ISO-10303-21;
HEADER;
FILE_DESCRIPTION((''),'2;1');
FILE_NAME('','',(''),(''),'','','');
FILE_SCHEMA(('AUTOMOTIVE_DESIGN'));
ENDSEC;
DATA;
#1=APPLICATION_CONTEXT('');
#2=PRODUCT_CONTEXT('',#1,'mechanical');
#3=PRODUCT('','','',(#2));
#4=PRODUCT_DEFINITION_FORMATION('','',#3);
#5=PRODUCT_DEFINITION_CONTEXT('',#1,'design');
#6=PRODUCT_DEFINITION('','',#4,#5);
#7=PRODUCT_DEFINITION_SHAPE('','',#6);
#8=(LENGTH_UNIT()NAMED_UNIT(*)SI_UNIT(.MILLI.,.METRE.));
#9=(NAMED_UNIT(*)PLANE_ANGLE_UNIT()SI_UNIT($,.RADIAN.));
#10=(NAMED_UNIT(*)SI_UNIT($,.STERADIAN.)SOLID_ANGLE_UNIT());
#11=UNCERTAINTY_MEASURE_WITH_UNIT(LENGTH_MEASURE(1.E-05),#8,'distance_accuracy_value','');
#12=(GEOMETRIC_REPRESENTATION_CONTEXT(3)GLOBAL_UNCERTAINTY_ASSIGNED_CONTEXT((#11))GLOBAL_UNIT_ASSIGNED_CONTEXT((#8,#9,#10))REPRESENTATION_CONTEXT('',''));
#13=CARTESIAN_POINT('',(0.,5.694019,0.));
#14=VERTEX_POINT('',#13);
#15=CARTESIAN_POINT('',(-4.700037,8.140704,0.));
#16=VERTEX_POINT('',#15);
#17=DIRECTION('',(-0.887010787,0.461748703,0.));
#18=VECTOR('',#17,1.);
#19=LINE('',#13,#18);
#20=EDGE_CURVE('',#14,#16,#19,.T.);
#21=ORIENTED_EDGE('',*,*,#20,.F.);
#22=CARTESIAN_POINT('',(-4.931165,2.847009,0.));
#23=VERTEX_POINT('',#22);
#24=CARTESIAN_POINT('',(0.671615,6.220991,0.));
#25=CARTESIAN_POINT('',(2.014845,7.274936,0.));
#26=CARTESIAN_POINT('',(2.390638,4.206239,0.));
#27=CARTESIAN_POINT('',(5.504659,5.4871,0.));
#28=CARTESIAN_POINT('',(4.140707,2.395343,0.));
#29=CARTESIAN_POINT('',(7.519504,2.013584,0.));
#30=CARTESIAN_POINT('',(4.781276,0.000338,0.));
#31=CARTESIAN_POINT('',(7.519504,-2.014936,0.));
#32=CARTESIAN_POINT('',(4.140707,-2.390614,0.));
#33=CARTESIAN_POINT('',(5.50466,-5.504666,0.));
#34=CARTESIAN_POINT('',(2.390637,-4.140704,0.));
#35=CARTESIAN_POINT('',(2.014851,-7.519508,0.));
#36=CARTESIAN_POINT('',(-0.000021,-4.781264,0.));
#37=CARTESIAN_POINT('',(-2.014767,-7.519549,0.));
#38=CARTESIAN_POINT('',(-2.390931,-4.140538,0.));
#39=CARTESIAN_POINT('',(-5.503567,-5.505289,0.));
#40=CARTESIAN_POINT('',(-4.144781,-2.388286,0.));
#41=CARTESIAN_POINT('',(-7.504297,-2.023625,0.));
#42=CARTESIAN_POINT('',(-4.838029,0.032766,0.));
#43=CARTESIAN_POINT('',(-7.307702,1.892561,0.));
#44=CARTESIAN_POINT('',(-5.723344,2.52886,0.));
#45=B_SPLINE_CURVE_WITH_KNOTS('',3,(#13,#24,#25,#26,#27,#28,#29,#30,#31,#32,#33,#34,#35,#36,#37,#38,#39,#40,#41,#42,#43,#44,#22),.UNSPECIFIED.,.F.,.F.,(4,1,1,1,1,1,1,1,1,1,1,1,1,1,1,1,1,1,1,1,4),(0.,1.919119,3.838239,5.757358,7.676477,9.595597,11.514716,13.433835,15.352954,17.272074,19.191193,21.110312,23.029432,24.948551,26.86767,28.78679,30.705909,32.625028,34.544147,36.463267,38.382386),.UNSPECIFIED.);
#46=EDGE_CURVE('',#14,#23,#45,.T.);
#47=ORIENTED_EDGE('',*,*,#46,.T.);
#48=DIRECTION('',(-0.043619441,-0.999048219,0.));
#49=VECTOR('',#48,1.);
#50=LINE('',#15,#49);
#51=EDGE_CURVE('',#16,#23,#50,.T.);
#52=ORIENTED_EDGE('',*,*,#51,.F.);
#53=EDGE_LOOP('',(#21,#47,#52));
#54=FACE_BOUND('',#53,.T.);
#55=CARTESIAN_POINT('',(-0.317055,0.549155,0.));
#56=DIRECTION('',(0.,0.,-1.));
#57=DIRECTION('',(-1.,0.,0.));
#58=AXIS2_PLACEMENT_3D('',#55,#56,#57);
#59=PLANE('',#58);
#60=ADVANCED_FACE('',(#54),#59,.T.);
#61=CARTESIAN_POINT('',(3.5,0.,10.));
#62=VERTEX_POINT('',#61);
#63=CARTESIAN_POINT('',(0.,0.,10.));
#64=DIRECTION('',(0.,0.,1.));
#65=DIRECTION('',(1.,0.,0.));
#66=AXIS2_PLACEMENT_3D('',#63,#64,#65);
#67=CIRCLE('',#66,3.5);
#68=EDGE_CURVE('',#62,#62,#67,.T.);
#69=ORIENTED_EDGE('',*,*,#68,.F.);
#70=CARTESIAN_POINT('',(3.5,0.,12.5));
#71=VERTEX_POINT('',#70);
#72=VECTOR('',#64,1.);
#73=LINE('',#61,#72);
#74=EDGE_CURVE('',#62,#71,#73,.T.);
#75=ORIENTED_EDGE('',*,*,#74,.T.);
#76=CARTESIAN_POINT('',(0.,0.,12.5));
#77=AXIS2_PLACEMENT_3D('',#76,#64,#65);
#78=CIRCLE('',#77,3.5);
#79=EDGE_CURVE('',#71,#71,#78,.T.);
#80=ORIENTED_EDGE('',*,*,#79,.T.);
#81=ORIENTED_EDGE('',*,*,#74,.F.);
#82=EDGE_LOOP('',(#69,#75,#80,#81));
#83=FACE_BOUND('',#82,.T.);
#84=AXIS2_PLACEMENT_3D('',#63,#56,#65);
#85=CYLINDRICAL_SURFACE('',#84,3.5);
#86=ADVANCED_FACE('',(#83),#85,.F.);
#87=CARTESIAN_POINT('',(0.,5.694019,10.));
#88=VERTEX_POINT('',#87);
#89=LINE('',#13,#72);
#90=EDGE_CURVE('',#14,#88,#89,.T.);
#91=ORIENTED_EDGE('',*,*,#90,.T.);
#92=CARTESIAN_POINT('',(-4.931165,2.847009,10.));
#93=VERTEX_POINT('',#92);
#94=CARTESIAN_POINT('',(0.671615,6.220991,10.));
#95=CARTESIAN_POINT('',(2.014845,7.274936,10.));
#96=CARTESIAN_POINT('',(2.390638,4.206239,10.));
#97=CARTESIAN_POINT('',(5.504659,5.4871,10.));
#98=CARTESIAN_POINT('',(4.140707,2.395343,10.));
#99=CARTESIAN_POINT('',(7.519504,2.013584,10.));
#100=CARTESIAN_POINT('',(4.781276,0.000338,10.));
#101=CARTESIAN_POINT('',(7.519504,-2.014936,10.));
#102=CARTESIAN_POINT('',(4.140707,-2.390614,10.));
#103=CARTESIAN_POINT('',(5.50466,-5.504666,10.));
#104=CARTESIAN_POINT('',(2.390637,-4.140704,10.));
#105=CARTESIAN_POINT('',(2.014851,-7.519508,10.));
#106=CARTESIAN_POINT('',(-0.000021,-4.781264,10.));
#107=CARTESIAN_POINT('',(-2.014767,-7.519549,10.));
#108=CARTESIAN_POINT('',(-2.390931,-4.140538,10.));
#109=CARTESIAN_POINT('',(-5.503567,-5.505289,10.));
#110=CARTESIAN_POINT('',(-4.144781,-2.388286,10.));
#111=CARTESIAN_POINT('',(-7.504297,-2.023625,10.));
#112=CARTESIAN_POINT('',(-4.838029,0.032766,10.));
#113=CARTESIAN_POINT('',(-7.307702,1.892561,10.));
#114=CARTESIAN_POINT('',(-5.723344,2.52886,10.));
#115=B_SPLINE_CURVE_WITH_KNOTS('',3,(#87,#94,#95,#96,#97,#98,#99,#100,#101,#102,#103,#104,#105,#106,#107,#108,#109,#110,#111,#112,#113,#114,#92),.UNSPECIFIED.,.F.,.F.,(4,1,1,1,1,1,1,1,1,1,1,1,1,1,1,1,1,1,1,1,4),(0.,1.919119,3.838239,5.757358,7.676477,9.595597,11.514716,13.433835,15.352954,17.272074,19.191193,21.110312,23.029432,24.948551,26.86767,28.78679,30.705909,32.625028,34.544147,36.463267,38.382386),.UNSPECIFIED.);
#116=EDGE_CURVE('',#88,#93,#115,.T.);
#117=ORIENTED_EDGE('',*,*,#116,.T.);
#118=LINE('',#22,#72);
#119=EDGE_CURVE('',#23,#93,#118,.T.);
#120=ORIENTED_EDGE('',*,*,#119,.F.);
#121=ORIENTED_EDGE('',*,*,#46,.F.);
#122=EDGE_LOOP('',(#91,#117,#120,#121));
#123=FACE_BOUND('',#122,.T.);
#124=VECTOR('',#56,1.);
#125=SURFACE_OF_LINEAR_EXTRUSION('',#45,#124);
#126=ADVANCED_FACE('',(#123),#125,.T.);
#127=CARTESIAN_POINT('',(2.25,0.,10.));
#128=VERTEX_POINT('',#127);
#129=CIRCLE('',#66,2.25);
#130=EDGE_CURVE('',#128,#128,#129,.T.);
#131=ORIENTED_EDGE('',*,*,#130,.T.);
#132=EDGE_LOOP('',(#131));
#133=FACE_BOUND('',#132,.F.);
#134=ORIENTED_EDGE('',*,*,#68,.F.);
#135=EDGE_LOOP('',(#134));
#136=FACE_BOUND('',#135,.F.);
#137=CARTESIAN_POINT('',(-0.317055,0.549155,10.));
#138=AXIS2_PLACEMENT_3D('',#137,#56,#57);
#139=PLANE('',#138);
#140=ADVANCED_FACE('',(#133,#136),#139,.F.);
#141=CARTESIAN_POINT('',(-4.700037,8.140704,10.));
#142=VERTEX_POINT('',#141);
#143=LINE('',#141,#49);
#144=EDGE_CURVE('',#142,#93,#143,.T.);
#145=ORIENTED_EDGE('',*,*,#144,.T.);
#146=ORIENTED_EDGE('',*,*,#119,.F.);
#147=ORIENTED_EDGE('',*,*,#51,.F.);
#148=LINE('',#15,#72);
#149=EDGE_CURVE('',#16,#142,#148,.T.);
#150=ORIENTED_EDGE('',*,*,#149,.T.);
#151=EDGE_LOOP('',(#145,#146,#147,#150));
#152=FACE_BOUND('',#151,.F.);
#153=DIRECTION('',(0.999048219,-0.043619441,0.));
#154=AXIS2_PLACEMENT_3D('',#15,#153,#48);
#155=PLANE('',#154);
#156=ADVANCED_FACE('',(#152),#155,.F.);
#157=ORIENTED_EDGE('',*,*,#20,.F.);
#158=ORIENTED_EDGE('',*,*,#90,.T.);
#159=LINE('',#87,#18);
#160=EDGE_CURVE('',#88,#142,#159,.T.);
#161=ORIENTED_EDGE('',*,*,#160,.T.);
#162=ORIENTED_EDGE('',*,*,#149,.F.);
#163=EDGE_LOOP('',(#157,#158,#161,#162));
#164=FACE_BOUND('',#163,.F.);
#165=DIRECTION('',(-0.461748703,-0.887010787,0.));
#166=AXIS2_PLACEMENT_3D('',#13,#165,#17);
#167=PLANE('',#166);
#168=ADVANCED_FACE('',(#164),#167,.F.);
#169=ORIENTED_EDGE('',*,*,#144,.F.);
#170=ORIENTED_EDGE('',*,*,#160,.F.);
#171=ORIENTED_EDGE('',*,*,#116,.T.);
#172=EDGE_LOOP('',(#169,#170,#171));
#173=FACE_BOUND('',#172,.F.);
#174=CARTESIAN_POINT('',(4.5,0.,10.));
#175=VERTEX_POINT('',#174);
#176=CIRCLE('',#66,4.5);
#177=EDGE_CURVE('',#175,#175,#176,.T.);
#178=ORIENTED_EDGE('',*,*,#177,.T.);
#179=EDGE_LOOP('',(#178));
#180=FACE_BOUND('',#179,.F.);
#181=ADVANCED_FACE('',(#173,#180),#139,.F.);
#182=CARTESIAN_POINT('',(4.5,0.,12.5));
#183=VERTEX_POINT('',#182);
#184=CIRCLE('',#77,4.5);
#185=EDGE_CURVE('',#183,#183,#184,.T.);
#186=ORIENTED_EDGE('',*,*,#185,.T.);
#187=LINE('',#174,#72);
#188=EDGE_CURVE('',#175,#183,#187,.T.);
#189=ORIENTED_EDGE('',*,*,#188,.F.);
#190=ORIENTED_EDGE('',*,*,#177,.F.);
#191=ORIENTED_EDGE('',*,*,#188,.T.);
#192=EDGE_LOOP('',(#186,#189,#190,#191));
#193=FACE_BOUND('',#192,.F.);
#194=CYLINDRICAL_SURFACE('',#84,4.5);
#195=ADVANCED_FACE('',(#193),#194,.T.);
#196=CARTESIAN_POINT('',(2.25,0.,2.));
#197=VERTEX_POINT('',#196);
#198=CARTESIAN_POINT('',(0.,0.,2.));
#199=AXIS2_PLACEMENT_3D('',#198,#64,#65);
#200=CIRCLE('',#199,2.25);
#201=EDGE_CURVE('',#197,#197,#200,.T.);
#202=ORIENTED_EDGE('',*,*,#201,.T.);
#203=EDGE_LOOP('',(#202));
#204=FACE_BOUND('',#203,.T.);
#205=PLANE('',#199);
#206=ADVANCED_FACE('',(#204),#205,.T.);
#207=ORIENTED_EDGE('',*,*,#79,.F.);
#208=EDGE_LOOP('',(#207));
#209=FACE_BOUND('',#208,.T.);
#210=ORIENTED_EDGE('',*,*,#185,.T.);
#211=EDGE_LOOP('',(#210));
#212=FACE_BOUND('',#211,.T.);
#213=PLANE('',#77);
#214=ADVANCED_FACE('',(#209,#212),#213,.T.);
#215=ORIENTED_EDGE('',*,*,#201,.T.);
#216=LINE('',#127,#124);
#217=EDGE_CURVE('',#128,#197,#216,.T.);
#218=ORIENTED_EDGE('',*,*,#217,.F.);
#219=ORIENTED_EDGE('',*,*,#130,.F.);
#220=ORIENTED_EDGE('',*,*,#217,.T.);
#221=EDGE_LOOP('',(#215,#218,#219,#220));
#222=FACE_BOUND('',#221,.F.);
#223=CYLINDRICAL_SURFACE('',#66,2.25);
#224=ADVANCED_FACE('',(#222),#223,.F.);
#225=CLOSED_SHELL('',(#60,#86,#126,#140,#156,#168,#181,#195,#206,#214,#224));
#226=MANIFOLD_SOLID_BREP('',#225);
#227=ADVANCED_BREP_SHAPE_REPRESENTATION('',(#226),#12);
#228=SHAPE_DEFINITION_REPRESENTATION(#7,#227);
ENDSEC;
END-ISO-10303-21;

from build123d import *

# Parameters (mm, degrees)
F1_DEPTH = 10
F2_R     = 2.25
F3_DEPTH = 8
F2_R_2   = 4.5
F2_R_3   = 3.5
F4_DEPTH = 2.5


with BuildPart() as f1:
    # F0 (on Top) → F1 (new body)
    with BuildSketch(Plane.XY):
        with BuildLine():
            add(Edge.make_bspline(
                [(0, 5.694019), (0.671615, 6.220991), (2.014845, 7.274936), (2.390638, 4.206239), (5.504659, 5.4871), (4.140707, 2.395343), (7.519504, 2.013584), (4.781276, 0.000338), (7.519504, -2.014936), (4.140707, -2.390614), (5.50466, -5.504666), (2.390637, -4.140704), (2.014851, -7.519508), (-2.1e-05, -4.781264), (-2.014767, -7.519549), (-2.390931, -4.140538), (-5.503567, -5.505289), (-4.144781, -2.388286), (-7.504297, -2.023625), (-4.838029, 0.032766), (-7.307702, 1.892561), (-5.723344, 2.52886), (-4.931165, 2.847009)],
                knots=[0, 0, 0, 0, 1.919119, 3.838239, 5.757358, 7.676477, 9.595597, 11.514716, 13.433835, 15.352954, 17.272074, 19.191193, 21.110312, 23.029432, 24.948551, 26.86767, 28.78679, 30.705909, 32.625028, 34.544147, 36.463267, 38.382386, 38.382386, 38.382386, 38.382386], degree=3))
            Line((0, 5.694019), (-4.700037, 8.140704))
            Line((-4.700037, 8.140704), (-4.931165, 2.847009))
        make_face()
    extrude(amount=F1_DEPTH)

    # F2 (on face) → F3 (cut)
    with BuildSketch(Plane.XY.offset(10)):
        Circle(F2_R)
    extrude(amount=-F3_DEPTH, mode=Mode.SUBTRACT)

    # F2 (on face) → F4 (join)
    with BuildSketch(Plane.XY.offset(10)):
        Circle(F2_R_2)
        Circle(F2_R_3, mode=Mode.SUBTRACT)
    extrude(amount=F4_DEPTH)


solid = f1.part
